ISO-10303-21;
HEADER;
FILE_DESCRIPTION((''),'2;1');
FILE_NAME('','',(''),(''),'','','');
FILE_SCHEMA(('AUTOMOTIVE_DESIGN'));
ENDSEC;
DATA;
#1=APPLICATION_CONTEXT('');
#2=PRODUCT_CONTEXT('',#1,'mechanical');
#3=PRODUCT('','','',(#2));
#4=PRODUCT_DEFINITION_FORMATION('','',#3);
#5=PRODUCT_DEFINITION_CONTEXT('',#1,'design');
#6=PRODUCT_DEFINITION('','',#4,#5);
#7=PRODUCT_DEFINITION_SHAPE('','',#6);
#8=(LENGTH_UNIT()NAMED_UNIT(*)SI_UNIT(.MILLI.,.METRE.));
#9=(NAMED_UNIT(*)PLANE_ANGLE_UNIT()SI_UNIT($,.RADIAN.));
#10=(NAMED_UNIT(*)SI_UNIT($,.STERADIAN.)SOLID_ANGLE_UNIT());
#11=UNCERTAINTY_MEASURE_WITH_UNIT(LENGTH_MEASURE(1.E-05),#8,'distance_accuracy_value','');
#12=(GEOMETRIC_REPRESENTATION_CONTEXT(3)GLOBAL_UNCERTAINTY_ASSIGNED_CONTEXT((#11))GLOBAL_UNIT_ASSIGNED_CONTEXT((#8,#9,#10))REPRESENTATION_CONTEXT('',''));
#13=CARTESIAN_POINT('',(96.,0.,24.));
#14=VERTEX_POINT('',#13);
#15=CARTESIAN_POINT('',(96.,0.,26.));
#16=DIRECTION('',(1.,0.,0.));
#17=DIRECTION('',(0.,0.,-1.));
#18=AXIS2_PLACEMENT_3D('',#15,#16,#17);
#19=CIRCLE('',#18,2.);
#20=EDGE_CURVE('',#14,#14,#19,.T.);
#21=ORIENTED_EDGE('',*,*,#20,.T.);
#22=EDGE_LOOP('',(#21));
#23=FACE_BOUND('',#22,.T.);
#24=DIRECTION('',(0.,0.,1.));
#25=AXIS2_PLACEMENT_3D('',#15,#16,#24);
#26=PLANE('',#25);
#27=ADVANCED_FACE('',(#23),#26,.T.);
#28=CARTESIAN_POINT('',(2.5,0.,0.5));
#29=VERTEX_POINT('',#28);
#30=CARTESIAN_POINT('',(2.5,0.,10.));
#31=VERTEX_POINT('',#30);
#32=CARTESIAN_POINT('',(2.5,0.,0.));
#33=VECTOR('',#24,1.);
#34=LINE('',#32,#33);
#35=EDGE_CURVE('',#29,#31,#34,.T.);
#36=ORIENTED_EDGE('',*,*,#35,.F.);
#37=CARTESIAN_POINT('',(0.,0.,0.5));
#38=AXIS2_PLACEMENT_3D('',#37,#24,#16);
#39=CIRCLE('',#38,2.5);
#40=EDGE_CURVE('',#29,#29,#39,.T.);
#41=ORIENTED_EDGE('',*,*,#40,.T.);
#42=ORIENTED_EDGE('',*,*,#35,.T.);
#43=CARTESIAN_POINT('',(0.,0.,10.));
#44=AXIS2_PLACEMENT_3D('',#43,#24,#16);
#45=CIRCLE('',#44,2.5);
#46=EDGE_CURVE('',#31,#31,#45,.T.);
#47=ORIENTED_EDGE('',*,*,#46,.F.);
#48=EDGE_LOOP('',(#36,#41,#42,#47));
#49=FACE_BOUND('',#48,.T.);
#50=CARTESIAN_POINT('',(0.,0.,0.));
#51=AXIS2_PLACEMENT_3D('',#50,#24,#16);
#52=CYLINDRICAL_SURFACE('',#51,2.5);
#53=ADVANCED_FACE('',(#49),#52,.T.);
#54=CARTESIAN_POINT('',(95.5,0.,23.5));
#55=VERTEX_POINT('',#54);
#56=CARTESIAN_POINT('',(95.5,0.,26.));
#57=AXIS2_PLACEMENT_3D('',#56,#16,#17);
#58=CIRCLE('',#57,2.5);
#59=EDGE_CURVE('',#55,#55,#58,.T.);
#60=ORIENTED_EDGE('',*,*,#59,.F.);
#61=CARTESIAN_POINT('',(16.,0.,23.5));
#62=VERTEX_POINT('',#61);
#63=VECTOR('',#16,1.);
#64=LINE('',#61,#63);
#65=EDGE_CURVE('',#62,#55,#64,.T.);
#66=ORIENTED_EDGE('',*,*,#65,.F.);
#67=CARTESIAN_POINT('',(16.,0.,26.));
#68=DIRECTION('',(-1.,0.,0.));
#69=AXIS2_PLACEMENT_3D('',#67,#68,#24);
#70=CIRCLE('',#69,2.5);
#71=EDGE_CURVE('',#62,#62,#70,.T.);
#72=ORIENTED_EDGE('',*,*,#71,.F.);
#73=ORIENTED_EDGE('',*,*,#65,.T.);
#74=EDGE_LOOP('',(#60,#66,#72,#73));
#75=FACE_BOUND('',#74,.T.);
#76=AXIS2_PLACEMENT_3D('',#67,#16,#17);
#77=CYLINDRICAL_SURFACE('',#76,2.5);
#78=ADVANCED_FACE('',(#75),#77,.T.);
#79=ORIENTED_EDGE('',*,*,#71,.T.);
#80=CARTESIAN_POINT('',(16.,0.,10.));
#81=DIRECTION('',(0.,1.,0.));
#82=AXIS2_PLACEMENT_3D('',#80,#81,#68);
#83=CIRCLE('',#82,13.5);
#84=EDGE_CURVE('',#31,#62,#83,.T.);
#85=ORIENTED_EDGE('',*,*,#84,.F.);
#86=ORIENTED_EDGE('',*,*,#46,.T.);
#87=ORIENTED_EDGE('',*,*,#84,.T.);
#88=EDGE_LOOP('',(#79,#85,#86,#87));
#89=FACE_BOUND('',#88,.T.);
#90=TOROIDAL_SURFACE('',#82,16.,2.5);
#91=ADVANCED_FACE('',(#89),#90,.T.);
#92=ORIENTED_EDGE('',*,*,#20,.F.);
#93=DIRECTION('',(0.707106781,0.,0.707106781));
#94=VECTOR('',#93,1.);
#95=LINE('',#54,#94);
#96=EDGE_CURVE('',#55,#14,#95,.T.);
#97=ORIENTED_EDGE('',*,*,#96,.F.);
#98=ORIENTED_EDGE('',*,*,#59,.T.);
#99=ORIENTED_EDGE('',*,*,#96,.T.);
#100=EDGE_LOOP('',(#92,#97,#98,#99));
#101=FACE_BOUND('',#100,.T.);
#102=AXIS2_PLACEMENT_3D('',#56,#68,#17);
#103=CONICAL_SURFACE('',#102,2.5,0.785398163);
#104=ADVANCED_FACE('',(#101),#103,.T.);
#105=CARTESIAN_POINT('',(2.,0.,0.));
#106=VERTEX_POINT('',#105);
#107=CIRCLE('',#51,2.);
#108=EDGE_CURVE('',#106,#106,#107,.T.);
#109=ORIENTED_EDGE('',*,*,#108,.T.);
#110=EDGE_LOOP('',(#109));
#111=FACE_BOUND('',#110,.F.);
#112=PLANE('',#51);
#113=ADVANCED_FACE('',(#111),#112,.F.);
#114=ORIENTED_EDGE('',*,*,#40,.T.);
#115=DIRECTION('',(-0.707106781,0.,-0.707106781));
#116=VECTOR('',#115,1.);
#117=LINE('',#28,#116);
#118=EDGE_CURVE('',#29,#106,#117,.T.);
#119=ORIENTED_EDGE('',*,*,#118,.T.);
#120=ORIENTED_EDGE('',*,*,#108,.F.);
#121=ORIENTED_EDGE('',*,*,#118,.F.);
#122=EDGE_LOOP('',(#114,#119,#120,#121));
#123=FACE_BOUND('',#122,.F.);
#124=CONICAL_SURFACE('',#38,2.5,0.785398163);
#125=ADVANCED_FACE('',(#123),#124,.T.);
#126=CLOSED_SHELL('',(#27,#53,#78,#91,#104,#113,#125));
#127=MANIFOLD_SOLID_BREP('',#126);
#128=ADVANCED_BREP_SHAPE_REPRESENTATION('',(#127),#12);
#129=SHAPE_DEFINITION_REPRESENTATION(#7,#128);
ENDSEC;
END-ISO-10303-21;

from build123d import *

# Parameters (mm, degrees)
F1_R     = 2.5
F3_SIZE2 = 0.5
F3_SIZE  = 0.5


with BuildPart() as f2:
    # F2: sweep along a path in F0
    with BuildLine(Plane.XZ) as f2_path:
        Line((0, 0), (0, 10))
        ThreePointArc((0, 10), (4.686291501, 21.313708499), (16, 26))
        Line((16, 26), (96, 26))
    # F1 (on Top) → F2 (sweep)
    with BuildSketch(Plane.XY):
        Circle(F1_R)
    sweep(path=f2_path.line)

    # F3
    f3_edges = [f2.edges().sort_by_distance(p)[0] for p in [
        (-2.5, 0, 0),
        (96, 0, 28.5),
    ]]
    chamfer(f3_edges, length=F3_SIZE, length2=F3_SIZE2)


solid = f2.part
